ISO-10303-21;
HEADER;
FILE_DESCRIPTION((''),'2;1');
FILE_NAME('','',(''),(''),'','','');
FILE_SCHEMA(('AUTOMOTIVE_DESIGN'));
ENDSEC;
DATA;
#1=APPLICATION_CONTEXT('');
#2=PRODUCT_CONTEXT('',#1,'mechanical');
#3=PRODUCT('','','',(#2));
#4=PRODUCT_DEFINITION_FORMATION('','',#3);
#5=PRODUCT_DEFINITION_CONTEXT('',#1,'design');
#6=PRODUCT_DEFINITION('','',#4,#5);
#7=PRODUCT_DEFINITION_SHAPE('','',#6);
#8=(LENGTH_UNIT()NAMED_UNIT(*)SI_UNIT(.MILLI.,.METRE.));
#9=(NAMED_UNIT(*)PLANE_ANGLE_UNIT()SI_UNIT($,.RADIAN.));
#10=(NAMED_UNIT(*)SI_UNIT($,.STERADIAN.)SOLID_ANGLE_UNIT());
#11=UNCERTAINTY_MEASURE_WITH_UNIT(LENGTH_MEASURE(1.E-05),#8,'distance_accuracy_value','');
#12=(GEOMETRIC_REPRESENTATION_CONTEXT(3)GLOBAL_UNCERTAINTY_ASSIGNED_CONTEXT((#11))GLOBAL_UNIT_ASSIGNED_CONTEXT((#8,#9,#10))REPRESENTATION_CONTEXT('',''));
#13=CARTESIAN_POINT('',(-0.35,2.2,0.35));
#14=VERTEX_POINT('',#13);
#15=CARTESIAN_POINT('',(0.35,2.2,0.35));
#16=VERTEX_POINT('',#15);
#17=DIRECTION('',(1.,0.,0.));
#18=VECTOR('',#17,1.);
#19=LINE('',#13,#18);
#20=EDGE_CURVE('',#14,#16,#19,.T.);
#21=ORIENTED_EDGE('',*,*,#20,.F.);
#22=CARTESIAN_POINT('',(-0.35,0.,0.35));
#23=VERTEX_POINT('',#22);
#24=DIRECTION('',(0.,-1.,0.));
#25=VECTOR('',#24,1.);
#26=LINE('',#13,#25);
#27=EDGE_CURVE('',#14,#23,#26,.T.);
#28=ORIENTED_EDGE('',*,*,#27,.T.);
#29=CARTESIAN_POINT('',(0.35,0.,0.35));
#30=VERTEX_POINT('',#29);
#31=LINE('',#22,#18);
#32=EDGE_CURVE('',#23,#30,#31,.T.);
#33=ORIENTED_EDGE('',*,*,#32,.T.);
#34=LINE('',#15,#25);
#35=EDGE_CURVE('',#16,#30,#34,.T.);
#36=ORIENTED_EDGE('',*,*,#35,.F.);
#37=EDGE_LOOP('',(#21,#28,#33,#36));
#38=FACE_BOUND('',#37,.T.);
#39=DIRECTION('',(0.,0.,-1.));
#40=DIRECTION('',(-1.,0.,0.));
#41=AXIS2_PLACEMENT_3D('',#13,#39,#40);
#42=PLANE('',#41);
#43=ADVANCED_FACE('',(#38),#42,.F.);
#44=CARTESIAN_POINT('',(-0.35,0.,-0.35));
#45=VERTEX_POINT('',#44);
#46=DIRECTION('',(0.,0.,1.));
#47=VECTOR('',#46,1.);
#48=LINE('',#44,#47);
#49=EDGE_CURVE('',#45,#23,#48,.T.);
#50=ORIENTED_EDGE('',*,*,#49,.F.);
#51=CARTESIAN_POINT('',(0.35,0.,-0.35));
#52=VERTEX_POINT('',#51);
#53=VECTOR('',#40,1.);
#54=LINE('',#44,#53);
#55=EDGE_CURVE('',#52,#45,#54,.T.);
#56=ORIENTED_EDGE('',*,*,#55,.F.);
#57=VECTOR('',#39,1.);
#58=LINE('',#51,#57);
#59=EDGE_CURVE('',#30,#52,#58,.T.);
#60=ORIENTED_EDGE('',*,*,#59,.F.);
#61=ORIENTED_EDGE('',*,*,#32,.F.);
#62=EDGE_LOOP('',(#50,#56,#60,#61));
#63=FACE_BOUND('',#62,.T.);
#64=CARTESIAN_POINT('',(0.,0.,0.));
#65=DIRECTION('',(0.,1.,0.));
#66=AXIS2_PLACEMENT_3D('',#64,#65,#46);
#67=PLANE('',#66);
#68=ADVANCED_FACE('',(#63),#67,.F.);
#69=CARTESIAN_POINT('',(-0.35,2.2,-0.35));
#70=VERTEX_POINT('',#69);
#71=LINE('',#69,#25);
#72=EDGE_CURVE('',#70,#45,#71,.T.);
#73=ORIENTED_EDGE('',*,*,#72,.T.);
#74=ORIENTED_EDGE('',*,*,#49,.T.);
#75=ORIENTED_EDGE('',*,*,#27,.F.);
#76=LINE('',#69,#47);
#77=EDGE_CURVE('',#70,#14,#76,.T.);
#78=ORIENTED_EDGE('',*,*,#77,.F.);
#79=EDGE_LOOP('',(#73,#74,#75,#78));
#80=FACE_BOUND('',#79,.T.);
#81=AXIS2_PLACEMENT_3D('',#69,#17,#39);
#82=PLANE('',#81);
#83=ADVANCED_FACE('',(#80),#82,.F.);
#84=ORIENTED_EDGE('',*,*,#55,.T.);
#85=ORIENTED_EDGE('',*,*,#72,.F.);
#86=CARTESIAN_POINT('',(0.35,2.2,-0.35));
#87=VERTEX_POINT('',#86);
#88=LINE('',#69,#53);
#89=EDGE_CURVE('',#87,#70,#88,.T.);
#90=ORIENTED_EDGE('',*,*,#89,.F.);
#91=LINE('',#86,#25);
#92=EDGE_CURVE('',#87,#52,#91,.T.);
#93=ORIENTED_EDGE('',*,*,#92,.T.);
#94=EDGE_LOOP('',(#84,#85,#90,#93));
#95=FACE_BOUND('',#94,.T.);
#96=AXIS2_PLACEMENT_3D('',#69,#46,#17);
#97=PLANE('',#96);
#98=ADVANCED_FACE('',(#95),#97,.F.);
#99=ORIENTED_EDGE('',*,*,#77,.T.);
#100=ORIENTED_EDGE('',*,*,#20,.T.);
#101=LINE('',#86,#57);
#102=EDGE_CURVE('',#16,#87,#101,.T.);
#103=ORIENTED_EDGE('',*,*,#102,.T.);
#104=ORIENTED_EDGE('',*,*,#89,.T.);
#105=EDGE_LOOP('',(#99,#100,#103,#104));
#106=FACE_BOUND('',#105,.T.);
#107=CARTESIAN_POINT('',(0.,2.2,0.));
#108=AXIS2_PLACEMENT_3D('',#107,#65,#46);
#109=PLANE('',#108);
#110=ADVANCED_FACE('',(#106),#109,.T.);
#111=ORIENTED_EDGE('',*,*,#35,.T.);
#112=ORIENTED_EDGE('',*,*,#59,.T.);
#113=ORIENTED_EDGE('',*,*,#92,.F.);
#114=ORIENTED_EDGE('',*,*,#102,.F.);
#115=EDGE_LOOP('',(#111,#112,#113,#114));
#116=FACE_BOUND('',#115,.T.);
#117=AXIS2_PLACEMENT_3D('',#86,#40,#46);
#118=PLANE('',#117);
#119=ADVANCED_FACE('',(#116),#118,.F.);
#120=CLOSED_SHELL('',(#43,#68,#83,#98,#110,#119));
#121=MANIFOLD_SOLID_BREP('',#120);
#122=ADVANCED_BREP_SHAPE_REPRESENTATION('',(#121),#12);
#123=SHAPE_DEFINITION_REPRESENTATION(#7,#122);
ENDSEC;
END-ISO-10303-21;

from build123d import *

# Parameters (mm, degrees)
SKETCH_1_W      = 0.7
SKETCH_1_H      = 0.7
EXTRUDE_1_DEPTH = 2.2


with BuildPart() as part:
    # 草图1 → 凸台-拉伸1 (new body)
    with BuildSketch(Plane(origin=(0, 0, 0), x_dir=(1, 0, 0), z_dir=(0, 1, 0))):
        Rectangle(SKETCH_1_W, SKETCH_1_H)
    extrude(amount=EXTRUDE_1_DEPTH)


solid = part.part
